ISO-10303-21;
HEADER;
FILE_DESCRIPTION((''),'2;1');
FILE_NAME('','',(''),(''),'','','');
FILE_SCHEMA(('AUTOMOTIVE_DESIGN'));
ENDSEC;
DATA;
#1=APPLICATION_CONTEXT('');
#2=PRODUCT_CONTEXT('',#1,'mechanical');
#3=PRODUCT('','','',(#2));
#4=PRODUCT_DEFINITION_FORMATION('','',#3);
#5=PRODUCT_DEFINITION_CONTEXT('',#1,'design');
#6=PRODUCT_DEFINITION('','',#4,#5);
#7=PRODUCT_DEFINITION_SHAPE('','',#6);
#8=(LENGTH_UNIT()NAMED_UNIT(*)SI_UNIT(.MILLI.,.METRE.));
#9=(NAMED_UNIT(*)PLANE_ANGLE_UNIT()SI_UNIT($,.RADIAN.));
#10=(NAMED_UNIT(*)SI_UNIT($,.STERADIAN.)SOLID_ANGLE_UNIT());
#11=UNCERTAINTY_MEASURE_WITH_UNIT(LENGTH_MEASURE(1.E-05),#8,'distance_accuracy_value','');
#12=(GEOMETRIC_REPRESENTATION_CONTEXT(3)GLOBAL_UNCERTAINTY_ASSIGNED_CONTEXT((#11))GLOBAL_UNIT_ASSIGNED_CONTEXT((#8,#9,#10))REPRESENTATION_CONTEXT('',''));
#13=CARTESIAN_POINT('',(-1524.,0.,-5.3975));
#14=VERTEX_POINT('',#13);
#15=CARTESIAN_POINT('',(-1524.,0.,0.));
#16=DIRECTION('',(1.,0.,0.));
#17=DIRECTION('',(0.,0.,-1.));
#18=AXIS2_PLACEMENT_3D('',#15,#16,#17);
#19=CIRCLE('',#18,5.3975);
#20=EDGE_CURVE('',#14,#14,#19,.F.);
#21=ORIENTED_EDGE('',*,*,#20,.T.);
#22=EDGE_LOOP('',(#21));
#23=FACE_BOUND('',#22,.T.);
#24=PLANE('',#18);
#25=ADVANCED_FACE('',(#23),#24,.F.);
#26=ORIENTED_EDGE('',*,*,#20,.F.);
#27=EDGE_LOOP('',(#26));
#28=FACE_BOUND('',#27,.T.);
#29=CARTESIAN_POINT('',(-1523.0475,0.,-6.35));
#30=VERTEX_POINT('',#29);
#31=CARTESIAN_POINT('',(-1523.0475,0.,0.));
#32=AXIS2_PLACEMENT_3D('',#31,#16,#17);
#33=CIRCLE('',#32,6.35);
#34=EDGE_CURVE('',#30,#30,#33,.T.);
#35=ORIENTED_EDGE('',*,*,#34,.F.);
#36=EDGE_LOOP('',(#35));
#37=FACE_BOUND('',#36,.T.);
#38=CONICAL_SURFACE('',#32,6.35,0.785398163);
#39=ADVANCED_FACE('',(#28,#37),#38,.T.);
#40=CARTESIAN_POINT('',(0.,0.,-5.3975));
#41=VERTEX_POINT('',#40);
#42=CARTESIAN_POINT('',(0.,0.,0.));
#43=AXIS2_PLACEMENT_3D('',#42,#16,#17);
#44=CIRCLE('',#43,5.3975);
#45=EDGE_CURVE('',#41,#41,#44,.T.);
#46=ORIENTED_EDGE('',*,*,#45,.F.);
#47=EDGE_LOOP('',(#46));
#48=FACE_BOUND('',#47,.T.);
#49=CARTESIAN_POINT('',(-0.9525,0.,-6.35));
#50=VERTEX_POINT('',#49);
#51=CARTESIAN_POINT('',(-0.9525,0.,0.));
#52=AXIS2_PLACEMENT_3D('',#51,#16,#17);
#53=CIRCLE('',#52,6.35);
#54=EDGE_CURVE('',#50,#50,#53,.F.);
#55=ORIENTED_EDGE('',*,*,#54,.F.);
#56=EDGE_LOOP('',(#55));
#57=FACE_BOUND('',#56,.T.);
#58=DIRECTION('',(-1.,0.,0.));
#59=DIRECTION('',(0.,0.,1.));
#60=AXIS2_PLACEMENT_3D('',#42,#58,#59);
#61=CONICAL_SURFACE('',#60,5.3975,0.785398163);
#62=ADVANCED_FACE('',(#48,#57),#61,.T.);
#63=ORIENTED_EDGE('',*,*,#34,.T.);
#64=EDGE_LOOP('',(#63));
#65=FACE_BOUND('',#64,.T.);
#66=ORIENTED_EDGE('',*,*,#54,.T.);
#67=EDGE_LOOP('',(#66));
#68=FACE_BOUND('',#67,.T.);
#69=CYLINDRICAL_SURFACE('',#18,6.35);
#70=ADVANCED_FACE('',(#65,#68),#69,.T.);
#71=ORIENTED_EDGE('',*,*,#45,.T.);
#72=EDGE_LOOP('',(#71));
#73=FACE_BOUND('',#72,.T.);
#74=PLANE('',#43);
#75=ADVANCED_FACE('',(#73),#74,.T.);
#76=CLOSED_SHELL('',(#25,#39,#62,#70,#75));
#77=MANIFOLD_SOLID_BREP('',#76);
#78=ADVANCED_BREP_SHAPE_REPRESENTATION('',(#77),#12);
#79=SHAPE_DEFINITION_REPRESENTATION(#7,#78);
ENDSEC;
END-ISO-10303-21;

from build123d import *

# Parameters (mm, degrees)
SKETCH2_R           = 6.35
BOSS_EXTRUDE1_DEPTH = 1524
CHAMFER1_SIZE       = 0.9525


with BuildPart() as part:
    # Sketch2 → Boss-Extrude1 (new body)
    with BuildSketch(Plane(origin=(0, 0, 0), x_dir=(0, 0, -1), z_dir=(1, 0, 0))):
        Circle(SKETCH2_R)
    extrude(amount=-BOSS_EXTRUDE1_DEPTH)

    # Chamfer1
    chamfer1_edges = [part.edges().sort_by_distance(p)[0] for p in [
        (0, 0, 6.35),
        (-1524, 0, 6.35),
    ]]
    chamfer(chamfer1_edges, length=CHAMFER1_SIZE)


solid = part.part
